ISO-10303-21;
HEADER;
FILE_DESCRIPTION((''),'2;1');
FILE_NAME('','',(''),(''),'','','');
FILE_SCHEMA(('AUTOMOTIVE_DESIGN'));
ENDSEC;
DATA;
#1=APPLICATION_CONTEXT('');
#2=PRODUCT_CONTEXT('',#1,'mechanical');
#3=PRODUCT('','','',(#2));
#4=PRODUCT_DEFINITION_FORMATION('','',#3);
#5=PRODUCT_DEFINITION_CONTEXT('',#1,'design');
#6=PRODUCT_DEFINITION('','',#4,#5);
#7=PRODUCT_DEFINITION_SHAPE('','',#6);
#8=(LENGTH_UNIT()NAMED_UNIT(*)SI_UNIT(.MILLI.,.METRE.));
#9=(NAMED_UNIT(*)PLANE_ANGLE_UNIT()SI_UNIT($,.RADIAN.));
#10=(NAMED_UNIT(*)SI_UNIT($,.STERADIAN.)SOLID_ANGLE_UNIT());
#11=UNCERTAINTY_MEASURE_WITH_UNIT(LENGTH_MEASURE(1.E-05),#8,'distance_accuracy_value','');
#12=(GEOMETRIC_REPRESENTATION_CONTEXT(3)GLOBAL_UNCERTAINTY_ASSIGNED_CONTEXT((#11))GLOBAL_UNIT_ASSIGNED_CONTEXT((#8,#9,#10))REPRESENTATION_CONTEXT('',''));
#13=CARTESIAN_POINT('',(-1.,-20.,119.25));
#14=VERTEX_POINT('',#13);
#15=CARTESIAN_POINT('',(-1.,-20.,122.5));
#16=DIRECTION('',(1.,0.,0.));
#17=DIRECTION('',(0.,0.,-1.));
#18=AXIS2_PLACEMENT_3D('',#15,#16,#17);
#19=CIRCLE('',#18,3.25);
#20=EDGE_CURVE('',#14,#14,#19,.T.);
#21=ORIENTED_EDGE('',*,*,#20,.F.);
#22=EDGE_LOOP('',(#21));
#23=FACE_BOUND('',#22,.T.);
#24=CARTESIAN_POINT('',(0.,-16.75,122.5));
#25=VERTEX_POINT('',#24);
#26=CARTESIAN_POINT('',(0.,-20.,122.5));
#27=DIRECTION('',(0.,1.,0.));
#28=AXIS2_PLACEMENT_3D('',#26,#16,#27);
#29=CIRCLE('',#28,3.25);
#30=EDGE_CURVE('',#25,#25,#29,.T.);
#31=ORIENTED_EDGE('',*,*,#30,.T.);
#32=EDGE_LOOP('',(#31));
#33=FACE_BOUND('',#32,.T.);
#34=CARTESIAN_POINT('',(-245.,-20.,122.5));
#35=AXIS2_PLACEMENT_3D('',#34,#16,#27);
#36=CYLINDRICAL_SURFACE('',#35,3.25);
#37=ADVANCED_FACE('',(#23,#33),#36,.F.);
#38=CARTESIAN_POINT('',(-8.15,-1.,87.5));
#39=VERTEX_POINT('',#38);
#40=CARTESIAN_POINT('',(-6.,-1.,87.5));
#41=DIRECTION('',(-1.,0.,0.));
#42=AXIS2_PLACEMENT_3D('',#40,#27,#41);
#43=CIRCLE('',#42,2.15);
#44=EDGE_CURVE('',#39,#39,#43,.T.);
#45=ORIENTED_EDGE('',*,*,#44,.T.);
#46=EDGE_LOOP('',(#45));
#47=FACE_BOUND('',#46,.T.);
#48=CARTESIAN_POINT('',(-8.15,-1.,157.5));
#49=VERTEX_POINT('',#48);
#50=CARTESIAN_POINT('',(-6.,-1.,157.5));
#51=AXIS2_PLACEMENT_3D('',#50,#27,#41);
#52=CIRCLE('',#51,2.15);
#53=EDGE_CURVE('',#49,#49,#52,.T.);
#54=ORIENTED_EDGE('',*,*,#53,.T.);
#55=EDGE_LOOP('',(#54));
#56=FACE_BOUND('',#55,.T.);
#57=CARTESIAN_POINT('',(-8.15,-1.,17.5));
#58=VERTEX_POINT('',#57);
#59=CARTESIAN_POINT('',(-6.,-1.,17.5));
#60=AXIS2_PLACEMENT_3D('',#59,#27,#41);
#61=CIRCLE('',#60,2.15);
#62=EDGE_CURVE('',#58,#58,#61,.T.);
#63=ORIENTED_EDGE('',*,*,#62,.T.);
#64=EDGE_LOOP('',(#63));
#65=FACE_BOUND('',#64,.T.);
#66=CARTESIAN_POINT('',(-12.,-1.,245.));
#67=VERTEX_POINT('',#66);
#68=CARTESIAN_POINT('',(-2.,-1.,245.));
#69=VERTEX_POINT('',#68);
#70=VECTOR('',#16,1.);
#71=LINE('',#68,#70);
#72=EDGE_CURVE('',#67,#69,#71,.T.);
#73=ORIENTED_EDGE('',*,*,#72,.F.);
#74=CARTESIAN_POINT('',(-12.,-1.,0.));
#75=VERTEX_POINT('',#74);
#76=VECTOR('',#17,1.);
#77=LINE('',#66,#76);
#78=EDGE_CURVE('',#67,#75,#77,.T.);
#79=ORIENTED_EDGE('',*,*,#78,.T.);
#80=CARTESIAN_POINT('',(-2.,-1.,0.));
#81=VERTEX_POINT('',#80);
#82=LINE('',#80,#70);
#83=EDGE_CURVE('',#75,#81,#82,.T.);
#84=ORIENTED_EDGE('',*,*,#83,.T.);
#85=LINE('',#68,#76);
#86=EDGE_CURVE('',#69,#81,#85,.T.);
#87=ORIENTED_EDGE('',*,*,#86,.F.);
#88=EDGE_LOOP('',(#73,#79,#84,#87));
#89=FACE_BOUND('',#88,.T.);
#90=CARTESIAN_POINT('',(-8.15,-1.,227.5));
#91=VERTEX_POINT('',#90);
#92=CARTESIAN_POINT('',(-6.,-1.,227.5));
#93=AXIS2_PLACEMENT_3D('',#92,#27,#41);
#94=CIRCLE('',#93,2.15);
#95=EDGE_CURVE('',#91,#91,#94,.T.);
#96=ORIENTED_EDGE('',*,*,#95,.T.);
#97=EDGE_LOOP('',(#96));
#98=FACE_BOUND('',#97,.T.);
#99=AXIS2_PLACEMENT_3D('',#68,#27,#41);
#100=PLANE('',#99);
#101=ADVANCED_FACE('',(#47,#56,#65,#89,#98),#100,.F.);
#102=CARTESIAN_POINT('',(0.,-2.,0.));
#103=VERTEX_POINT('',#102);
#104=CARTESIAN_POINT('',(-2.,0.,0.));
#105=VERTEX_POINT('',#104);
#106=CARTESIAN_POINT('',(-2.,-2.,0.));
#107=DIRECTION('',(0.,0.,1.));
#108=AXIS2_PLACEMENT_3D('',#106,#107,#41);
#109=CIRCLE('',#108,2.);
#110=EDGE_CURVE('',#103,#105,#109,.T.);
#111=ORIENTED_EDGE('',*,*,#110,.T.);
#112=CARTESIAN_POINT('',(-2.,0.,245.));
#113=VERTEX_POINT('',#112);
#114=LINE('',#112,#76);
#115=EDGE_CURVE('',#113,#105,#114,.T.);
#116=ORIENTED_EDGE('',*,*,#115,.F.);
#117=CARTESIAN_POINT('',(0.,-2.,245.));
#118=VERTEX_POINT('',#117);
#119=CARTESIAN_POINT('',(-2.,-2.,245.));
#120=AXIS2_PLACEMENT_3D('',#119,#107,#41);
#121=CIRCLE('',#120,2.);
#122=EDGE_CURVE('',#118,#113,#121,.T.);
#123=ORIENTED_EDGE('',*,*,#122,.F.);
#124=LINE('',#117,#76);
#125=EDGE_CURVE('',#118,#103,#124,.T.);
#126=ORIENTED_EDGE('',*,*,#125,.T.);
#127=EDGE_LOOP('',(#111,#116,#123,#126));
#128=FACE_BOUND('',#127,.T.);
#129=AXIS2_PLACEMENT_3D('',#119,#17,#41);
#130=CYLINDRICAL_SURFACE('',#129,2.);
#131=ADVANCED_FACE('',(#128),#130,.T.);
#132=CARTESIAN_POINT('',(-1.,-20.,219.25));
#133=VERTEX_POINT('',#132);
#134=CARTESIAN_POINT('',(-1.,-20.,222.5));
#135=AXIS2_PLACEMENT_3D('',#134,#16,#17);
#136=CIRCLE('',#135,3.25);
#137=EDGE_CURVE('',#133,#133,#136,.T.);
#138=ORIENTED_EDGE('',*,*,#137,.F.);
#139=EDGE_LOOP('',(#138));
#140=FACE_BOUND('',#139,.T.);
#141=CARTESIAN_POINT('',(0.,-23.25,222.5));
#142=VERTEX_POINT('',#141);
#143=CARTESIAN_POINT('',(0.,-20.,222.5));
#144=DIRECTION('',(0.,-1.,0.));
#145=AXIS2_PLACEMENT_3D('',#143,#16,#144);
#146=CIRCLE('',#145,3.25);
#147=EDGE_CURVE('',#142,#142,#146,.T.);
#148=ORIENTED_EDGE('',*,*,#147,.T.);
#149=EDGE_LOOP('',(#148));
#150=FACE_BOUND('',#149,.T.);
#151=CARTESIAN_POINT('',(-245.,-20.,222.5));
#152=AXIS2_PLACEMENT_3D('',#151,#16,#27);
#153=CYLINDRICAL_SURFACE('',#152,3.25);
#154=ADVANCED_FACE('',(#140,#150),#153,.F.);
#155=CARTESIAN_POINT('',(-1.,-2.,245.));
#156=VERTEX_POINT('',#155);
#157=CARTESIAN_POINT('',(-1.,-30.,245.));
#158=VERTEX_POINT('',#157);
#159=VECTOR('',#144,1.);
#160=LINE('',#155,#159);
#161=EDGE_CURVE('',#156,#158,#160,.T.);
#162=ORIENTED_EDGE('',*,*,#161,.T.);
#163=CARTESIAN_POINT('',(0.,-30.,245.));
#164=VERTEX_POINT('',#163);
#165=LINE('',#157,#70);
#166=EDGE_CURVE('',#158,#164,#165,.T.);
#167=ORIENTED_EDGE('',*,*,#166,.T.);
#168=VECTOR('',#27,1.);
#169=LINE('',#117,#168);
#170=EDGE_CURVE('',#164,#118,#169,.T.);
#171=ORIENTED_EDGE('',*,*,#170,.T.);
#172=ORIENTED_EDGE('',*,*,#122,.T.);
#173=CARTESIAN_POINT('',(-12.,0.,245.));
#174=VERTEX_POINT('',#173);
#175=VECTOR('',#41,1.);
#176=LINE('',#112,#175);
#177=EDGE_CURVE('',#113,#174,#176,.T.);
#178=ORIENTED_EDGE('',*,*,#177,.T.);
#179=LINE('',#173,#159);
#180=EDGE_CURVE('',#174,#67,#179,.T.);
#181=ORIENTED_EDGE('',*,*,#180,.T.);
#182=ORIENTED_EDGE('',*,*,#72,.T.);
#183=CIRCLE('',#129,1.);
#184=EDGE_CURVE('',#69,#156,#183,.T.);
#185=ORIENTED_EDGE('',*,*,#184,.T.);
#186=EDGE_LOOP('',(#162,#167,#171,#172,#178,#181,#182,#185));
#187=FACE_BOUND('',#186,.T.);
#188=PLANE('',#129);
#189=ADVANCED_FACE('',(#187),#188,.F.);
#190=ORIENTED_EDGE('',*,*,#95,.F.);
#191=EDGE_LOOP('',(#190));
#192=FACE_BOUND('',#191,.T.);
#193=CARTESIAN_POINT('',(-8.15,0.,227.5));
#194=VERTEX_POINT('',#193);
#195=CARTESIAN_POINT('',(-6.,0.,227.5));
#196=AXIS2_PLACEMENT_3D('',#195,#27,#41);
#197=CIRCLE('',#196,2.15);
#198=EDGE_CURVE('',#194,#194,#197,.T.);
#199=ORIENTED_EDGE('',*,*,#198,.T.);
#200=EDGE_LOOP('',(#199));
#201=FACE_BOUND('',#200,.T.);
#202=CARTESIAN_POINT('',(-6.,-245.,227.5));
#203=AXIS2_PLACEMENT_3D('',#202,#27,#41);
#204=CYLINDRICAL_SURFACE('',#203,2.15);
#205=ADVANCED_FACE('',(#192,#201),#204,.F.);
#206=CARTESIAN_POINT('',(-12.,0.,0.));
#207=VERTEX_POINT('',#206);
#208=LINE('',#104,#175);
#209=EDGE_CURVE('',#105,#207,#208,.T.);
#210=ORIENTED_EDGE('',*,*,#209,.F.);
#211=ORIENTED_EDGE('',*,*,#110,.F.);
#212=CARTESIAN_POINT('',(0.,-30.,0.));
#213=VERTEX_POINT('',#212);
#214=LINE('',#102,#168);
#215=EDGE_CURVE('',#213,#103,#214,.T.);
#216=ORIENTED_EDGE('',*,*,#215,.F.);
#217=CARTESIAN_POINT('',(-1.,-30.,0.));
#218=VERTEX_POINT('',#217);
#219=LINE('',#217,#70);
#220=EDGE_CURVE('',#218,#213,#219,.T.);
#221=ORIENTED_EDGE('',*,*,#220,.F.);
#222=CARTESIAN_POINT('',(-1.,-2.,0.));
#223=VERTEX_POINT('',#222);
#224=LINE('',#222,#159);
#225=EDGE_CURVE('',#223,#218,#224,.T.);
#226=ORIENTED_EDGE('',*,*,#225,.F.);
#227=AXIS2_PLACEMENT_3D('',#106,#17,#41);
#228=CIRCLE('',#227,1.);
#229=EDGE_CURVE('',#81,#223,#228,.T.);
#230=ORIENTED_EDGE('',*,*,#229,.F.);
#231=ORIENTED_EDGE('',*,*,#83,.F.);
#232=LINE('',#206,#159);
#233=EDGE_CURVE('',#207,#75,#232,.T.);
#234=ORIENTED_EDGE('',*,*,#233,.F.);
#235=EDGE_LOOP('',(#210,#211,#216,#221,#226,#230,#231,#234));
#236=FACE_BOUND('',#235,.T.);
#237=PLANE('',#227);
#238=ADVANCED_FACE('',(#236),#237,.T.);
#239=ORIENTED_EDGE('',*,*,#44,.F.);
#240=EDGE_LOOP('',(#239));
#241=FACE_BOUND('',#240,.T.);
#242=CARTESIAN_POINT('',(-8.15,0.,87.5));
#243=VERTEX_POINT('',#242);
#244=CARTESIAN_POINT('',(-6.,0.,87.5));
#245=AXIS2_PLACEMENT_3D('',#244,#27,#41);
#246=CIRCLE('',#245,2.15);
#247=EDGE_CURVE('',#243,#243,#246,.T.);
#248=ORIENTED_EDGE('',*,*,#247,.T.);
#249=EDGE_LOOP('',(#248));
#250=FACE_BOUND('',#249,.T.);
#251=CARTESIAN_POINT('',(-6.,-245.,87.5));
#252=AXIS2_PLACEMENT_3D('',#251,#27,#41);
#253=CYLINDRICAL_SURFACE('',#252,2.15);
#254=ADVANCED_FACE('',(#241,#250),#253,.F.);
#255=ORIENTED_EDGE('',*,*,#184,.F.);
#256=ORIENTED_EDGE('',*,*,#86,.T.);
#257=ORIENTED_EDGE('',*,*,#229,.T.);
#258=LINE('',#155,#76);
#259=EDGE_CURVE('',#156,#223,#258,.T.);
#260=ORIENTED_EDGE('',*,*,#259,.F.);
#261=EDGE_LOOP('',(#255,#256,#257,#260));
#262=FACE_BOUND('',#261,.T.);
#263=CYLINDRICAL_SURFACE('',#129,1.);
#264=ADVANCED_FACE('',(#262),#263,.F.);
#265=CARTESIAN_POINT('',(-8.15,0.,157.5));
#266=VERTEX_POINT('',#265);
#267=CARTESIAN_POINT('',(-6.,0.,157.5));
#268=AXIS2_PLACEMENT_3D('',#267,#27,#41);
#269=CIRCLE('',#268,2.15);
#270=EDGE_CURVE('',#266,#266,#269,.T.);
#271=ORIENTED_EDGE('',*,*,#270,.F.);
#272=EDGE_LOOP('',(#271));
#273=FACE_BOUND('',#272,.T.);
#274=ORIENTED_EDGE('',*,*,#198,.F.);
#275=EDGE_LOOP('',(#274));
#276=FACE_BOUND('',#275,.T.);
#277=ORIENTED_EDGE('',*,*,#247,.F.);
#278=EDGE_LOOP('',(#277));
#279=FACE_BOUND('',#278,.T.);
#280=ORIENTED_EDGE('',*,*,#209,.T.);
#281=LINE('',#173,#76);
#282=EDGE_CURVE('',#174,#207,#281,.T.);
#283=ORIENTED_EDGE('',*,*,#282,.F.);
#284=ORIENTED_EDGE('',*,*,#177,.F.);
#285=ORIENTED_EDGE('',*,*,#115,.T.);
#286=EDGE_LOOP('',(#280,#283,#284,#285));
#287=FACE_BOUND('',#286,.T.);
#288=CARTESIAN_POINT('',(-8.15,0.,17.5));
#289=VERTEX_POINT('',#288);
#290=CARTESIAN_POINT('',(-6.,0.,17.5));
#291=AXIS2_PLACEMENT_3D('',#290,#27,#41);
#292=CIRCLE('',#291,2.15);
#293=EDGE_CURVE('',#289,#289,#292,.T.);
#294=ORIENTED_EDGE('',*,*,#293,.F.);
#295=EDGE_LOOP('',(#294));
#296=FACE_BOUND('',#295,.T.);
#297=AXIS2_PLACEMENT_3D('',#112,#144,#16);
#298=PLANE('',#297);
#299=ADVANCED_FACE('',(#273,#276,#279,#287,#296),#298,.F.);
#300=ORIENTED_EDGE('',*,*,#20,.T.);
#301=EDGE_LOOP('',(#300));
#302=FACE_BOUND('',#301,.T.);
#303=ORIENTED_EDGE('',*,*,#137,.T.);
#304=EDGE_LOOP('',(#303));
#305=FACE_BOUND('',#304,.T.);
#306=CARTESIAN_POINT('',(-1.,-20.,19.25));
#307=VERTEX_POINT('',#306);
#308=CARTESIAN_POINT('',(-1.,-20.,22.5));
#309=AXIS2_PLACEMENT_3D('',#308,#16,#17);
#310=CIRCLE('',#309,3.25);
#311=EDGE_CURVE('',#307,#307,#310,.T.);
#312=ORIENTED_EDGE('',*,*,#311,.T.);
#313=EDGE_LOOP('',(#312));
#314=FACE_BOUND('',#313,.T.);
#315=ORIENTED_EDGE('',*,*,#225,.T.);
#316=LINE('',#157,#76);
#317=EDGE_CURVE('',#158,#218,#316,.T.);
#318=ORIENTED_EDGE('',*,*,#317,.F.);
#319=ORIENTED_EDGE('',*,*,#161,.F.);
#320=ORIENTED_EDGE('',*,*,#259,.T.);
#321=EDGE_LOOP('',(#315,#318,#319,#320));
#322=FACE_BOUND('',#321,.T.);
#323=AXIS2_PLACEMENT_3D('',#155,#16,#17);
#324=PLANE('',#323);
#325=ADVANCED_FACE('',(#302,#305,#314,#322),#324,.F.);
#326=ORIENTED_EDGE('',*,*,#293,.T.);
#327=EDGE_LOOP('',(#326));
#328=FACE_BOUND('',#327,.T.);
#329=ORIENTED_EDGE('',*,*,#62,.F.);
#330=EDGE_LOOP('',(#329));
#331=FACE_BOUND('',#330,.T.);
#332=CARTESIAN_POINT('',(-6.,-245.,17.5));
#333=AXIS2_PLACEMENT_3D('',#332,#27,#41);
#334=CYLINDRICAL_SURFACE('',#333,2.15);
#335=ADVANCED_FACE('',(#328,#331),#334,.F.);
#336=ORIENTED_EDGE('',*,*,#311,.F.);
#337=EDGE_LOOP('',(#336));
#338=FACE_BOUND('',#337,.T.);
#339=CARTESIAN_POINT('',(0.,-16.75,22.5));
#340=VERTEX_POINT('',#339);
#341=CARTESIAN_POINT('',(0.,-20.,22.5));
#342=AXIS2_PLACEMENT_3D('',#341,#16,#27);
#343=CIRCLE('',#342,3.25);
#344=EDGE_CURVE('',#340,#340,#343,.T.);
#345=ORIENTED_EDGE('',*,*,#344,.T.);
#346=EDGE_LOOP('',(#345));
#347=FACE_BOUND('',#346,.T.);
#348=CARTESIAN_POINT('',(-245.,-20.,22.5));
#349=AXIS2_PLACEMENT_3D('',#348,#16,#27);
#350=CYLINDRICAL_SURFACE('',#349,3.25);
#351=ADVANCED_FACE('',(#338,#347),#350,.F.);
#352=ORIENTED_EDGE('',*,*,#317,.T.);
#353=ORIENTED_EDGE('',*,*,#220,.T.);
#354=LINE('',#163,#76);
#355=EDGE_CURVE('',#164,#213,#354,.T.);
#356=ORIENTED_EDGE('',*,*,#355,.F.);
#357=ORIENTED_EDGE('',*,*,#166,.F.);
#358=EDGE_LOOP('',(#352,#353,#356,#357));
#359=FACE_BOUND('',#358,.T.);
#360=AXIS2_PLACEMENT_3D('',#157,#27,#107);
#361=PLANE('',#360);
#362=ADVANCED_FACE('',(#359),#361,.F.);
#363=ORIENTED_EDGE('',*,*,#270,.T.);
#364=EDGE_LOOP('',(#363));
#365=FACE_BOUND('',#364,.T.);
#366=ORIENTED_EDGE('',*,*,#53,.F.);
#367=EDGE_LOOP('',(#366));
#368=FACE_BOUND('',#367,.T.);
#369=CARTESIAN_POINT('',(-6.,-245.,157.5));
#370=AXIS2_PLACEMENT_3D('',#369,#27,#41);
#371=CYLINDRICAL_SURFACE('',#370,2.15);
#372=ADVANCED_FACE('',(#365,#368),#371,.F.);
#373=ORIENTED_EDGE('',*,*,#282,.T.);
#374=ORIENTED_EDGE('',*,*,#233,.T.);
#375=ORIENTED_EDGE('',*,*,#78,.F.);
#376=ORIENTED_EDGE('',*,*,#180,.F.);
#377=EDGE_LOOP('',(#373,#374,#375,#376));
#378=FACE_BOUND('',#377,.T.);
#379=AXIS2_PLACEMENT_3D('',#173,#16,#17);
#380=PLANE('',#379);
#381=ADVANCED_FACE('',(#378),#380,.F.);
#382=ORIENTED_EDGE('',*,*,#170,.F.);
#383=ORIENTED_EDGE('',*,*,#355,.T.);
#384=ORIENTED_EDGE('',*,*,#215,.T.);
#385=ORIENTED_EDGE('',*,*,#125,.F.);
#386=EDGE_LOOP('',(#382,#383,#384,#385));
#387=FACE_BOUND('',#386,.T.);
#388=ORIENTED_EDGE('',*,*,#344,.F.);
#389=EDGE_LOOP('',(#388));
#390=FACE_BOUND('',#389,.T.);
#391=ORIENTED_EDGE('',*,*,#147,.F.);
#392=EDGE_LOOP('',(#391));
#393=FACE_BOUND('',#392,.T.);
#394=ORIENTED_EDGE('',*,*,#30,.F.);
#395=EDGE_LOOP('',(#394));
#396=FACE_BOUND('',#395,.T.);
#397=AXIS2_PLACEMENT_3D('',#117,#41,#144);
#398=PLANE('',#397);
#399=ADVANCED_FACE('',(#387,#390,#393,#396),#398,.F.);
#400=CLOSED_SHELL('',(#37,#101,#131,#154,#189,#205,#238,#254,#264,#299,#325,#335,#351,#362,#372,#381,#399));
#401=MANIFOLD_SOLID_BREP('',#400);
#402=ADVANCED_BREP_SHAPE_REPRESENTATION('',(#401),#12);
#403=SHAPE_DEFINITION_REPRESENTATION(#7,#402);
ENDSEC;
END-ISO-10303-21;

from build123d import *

# Parameters (mm, degrees)
EXTRUDE_1_DEPTH     = 245
SKETCH_2_R          = 2.15
CUT_EXTRUDE_1_DEPTH = 245
SKETCH_3_R          = 3.25
CUT_EXTRUDE_2_DEPTH = 245


with BuildPart() as part:
    # Эскиз1 → Вытянуть1 (new body)
    with BuildSketch(Plane.XY):
        with BuildLine():
            Line((-1, -2), (-1, -30))
            Line((-1, -30), (0, -30))
            Line((0, -30), (0, -2))
            ThreePointArc((0, -2), (-0.585786438, -0.585786438), (-2, 0))
            Line((-2, 0), (-12, 0))
            Line((-12, 0), (-12, -1))
            Line((-12, -1), (-2, -1))
            ThreePointArc((-2, -1), (-1.292893219, -1.292893219), (-1, -2))
        make_face()
    extrude(amount=EXTRUDE_1_DEPTH)

    # Эскиз2 → Вырез-Вытянуть1 (cut)
    with BuildSketch(Plane(origin=(0, 0, 0), x_dir=(1, 0, 0), z_dir=(0, 1, 0))):
        with Locations(Location((-6, -17.5, 0), (0, 0, 180))):
            Circle(SKETCH_2_R)
        with Locations(Location((-6, -87.5, 0), (0, 0, 180))):
            Circle(SKETCH_2_R)
        with Locations(Location((-6, -157.5, 0), (0, 0, 180))):
            Circle(SKETCH_2_R)
        with Locations(Location((-6, -227.5, 0), (0, 0, 180))):
            Circle(SKETCH_2_R)
    extrude(amount=-CUT_EXTRUDE_1_DEPTH, mode=Mode.SUBTRACT)

    # Эскиз3 → Вырез-Вытянуть2 (cut)
    with BuildSketch(Plane(origin=(0, 0, 0), x_dir=(0, 0, -1), z_dir=(1, 0, 0))):
        with Locations(Location((-122.5, -20, 0), (0, 0, 90))):
            Circle(SKETCH_3_R)
        with Locations(Location((-22.5, -20, 0), (0, 0, 90))):
            Circle(SKETCH_3_R)
        with Locations((-222.5, -20)):
            Circle(SKETCH_3_R)
    extrude(amount=-CUT_EXTRUDE_2_DEPTH, mode=Mode.SUBTRACT)


solid = part.part
